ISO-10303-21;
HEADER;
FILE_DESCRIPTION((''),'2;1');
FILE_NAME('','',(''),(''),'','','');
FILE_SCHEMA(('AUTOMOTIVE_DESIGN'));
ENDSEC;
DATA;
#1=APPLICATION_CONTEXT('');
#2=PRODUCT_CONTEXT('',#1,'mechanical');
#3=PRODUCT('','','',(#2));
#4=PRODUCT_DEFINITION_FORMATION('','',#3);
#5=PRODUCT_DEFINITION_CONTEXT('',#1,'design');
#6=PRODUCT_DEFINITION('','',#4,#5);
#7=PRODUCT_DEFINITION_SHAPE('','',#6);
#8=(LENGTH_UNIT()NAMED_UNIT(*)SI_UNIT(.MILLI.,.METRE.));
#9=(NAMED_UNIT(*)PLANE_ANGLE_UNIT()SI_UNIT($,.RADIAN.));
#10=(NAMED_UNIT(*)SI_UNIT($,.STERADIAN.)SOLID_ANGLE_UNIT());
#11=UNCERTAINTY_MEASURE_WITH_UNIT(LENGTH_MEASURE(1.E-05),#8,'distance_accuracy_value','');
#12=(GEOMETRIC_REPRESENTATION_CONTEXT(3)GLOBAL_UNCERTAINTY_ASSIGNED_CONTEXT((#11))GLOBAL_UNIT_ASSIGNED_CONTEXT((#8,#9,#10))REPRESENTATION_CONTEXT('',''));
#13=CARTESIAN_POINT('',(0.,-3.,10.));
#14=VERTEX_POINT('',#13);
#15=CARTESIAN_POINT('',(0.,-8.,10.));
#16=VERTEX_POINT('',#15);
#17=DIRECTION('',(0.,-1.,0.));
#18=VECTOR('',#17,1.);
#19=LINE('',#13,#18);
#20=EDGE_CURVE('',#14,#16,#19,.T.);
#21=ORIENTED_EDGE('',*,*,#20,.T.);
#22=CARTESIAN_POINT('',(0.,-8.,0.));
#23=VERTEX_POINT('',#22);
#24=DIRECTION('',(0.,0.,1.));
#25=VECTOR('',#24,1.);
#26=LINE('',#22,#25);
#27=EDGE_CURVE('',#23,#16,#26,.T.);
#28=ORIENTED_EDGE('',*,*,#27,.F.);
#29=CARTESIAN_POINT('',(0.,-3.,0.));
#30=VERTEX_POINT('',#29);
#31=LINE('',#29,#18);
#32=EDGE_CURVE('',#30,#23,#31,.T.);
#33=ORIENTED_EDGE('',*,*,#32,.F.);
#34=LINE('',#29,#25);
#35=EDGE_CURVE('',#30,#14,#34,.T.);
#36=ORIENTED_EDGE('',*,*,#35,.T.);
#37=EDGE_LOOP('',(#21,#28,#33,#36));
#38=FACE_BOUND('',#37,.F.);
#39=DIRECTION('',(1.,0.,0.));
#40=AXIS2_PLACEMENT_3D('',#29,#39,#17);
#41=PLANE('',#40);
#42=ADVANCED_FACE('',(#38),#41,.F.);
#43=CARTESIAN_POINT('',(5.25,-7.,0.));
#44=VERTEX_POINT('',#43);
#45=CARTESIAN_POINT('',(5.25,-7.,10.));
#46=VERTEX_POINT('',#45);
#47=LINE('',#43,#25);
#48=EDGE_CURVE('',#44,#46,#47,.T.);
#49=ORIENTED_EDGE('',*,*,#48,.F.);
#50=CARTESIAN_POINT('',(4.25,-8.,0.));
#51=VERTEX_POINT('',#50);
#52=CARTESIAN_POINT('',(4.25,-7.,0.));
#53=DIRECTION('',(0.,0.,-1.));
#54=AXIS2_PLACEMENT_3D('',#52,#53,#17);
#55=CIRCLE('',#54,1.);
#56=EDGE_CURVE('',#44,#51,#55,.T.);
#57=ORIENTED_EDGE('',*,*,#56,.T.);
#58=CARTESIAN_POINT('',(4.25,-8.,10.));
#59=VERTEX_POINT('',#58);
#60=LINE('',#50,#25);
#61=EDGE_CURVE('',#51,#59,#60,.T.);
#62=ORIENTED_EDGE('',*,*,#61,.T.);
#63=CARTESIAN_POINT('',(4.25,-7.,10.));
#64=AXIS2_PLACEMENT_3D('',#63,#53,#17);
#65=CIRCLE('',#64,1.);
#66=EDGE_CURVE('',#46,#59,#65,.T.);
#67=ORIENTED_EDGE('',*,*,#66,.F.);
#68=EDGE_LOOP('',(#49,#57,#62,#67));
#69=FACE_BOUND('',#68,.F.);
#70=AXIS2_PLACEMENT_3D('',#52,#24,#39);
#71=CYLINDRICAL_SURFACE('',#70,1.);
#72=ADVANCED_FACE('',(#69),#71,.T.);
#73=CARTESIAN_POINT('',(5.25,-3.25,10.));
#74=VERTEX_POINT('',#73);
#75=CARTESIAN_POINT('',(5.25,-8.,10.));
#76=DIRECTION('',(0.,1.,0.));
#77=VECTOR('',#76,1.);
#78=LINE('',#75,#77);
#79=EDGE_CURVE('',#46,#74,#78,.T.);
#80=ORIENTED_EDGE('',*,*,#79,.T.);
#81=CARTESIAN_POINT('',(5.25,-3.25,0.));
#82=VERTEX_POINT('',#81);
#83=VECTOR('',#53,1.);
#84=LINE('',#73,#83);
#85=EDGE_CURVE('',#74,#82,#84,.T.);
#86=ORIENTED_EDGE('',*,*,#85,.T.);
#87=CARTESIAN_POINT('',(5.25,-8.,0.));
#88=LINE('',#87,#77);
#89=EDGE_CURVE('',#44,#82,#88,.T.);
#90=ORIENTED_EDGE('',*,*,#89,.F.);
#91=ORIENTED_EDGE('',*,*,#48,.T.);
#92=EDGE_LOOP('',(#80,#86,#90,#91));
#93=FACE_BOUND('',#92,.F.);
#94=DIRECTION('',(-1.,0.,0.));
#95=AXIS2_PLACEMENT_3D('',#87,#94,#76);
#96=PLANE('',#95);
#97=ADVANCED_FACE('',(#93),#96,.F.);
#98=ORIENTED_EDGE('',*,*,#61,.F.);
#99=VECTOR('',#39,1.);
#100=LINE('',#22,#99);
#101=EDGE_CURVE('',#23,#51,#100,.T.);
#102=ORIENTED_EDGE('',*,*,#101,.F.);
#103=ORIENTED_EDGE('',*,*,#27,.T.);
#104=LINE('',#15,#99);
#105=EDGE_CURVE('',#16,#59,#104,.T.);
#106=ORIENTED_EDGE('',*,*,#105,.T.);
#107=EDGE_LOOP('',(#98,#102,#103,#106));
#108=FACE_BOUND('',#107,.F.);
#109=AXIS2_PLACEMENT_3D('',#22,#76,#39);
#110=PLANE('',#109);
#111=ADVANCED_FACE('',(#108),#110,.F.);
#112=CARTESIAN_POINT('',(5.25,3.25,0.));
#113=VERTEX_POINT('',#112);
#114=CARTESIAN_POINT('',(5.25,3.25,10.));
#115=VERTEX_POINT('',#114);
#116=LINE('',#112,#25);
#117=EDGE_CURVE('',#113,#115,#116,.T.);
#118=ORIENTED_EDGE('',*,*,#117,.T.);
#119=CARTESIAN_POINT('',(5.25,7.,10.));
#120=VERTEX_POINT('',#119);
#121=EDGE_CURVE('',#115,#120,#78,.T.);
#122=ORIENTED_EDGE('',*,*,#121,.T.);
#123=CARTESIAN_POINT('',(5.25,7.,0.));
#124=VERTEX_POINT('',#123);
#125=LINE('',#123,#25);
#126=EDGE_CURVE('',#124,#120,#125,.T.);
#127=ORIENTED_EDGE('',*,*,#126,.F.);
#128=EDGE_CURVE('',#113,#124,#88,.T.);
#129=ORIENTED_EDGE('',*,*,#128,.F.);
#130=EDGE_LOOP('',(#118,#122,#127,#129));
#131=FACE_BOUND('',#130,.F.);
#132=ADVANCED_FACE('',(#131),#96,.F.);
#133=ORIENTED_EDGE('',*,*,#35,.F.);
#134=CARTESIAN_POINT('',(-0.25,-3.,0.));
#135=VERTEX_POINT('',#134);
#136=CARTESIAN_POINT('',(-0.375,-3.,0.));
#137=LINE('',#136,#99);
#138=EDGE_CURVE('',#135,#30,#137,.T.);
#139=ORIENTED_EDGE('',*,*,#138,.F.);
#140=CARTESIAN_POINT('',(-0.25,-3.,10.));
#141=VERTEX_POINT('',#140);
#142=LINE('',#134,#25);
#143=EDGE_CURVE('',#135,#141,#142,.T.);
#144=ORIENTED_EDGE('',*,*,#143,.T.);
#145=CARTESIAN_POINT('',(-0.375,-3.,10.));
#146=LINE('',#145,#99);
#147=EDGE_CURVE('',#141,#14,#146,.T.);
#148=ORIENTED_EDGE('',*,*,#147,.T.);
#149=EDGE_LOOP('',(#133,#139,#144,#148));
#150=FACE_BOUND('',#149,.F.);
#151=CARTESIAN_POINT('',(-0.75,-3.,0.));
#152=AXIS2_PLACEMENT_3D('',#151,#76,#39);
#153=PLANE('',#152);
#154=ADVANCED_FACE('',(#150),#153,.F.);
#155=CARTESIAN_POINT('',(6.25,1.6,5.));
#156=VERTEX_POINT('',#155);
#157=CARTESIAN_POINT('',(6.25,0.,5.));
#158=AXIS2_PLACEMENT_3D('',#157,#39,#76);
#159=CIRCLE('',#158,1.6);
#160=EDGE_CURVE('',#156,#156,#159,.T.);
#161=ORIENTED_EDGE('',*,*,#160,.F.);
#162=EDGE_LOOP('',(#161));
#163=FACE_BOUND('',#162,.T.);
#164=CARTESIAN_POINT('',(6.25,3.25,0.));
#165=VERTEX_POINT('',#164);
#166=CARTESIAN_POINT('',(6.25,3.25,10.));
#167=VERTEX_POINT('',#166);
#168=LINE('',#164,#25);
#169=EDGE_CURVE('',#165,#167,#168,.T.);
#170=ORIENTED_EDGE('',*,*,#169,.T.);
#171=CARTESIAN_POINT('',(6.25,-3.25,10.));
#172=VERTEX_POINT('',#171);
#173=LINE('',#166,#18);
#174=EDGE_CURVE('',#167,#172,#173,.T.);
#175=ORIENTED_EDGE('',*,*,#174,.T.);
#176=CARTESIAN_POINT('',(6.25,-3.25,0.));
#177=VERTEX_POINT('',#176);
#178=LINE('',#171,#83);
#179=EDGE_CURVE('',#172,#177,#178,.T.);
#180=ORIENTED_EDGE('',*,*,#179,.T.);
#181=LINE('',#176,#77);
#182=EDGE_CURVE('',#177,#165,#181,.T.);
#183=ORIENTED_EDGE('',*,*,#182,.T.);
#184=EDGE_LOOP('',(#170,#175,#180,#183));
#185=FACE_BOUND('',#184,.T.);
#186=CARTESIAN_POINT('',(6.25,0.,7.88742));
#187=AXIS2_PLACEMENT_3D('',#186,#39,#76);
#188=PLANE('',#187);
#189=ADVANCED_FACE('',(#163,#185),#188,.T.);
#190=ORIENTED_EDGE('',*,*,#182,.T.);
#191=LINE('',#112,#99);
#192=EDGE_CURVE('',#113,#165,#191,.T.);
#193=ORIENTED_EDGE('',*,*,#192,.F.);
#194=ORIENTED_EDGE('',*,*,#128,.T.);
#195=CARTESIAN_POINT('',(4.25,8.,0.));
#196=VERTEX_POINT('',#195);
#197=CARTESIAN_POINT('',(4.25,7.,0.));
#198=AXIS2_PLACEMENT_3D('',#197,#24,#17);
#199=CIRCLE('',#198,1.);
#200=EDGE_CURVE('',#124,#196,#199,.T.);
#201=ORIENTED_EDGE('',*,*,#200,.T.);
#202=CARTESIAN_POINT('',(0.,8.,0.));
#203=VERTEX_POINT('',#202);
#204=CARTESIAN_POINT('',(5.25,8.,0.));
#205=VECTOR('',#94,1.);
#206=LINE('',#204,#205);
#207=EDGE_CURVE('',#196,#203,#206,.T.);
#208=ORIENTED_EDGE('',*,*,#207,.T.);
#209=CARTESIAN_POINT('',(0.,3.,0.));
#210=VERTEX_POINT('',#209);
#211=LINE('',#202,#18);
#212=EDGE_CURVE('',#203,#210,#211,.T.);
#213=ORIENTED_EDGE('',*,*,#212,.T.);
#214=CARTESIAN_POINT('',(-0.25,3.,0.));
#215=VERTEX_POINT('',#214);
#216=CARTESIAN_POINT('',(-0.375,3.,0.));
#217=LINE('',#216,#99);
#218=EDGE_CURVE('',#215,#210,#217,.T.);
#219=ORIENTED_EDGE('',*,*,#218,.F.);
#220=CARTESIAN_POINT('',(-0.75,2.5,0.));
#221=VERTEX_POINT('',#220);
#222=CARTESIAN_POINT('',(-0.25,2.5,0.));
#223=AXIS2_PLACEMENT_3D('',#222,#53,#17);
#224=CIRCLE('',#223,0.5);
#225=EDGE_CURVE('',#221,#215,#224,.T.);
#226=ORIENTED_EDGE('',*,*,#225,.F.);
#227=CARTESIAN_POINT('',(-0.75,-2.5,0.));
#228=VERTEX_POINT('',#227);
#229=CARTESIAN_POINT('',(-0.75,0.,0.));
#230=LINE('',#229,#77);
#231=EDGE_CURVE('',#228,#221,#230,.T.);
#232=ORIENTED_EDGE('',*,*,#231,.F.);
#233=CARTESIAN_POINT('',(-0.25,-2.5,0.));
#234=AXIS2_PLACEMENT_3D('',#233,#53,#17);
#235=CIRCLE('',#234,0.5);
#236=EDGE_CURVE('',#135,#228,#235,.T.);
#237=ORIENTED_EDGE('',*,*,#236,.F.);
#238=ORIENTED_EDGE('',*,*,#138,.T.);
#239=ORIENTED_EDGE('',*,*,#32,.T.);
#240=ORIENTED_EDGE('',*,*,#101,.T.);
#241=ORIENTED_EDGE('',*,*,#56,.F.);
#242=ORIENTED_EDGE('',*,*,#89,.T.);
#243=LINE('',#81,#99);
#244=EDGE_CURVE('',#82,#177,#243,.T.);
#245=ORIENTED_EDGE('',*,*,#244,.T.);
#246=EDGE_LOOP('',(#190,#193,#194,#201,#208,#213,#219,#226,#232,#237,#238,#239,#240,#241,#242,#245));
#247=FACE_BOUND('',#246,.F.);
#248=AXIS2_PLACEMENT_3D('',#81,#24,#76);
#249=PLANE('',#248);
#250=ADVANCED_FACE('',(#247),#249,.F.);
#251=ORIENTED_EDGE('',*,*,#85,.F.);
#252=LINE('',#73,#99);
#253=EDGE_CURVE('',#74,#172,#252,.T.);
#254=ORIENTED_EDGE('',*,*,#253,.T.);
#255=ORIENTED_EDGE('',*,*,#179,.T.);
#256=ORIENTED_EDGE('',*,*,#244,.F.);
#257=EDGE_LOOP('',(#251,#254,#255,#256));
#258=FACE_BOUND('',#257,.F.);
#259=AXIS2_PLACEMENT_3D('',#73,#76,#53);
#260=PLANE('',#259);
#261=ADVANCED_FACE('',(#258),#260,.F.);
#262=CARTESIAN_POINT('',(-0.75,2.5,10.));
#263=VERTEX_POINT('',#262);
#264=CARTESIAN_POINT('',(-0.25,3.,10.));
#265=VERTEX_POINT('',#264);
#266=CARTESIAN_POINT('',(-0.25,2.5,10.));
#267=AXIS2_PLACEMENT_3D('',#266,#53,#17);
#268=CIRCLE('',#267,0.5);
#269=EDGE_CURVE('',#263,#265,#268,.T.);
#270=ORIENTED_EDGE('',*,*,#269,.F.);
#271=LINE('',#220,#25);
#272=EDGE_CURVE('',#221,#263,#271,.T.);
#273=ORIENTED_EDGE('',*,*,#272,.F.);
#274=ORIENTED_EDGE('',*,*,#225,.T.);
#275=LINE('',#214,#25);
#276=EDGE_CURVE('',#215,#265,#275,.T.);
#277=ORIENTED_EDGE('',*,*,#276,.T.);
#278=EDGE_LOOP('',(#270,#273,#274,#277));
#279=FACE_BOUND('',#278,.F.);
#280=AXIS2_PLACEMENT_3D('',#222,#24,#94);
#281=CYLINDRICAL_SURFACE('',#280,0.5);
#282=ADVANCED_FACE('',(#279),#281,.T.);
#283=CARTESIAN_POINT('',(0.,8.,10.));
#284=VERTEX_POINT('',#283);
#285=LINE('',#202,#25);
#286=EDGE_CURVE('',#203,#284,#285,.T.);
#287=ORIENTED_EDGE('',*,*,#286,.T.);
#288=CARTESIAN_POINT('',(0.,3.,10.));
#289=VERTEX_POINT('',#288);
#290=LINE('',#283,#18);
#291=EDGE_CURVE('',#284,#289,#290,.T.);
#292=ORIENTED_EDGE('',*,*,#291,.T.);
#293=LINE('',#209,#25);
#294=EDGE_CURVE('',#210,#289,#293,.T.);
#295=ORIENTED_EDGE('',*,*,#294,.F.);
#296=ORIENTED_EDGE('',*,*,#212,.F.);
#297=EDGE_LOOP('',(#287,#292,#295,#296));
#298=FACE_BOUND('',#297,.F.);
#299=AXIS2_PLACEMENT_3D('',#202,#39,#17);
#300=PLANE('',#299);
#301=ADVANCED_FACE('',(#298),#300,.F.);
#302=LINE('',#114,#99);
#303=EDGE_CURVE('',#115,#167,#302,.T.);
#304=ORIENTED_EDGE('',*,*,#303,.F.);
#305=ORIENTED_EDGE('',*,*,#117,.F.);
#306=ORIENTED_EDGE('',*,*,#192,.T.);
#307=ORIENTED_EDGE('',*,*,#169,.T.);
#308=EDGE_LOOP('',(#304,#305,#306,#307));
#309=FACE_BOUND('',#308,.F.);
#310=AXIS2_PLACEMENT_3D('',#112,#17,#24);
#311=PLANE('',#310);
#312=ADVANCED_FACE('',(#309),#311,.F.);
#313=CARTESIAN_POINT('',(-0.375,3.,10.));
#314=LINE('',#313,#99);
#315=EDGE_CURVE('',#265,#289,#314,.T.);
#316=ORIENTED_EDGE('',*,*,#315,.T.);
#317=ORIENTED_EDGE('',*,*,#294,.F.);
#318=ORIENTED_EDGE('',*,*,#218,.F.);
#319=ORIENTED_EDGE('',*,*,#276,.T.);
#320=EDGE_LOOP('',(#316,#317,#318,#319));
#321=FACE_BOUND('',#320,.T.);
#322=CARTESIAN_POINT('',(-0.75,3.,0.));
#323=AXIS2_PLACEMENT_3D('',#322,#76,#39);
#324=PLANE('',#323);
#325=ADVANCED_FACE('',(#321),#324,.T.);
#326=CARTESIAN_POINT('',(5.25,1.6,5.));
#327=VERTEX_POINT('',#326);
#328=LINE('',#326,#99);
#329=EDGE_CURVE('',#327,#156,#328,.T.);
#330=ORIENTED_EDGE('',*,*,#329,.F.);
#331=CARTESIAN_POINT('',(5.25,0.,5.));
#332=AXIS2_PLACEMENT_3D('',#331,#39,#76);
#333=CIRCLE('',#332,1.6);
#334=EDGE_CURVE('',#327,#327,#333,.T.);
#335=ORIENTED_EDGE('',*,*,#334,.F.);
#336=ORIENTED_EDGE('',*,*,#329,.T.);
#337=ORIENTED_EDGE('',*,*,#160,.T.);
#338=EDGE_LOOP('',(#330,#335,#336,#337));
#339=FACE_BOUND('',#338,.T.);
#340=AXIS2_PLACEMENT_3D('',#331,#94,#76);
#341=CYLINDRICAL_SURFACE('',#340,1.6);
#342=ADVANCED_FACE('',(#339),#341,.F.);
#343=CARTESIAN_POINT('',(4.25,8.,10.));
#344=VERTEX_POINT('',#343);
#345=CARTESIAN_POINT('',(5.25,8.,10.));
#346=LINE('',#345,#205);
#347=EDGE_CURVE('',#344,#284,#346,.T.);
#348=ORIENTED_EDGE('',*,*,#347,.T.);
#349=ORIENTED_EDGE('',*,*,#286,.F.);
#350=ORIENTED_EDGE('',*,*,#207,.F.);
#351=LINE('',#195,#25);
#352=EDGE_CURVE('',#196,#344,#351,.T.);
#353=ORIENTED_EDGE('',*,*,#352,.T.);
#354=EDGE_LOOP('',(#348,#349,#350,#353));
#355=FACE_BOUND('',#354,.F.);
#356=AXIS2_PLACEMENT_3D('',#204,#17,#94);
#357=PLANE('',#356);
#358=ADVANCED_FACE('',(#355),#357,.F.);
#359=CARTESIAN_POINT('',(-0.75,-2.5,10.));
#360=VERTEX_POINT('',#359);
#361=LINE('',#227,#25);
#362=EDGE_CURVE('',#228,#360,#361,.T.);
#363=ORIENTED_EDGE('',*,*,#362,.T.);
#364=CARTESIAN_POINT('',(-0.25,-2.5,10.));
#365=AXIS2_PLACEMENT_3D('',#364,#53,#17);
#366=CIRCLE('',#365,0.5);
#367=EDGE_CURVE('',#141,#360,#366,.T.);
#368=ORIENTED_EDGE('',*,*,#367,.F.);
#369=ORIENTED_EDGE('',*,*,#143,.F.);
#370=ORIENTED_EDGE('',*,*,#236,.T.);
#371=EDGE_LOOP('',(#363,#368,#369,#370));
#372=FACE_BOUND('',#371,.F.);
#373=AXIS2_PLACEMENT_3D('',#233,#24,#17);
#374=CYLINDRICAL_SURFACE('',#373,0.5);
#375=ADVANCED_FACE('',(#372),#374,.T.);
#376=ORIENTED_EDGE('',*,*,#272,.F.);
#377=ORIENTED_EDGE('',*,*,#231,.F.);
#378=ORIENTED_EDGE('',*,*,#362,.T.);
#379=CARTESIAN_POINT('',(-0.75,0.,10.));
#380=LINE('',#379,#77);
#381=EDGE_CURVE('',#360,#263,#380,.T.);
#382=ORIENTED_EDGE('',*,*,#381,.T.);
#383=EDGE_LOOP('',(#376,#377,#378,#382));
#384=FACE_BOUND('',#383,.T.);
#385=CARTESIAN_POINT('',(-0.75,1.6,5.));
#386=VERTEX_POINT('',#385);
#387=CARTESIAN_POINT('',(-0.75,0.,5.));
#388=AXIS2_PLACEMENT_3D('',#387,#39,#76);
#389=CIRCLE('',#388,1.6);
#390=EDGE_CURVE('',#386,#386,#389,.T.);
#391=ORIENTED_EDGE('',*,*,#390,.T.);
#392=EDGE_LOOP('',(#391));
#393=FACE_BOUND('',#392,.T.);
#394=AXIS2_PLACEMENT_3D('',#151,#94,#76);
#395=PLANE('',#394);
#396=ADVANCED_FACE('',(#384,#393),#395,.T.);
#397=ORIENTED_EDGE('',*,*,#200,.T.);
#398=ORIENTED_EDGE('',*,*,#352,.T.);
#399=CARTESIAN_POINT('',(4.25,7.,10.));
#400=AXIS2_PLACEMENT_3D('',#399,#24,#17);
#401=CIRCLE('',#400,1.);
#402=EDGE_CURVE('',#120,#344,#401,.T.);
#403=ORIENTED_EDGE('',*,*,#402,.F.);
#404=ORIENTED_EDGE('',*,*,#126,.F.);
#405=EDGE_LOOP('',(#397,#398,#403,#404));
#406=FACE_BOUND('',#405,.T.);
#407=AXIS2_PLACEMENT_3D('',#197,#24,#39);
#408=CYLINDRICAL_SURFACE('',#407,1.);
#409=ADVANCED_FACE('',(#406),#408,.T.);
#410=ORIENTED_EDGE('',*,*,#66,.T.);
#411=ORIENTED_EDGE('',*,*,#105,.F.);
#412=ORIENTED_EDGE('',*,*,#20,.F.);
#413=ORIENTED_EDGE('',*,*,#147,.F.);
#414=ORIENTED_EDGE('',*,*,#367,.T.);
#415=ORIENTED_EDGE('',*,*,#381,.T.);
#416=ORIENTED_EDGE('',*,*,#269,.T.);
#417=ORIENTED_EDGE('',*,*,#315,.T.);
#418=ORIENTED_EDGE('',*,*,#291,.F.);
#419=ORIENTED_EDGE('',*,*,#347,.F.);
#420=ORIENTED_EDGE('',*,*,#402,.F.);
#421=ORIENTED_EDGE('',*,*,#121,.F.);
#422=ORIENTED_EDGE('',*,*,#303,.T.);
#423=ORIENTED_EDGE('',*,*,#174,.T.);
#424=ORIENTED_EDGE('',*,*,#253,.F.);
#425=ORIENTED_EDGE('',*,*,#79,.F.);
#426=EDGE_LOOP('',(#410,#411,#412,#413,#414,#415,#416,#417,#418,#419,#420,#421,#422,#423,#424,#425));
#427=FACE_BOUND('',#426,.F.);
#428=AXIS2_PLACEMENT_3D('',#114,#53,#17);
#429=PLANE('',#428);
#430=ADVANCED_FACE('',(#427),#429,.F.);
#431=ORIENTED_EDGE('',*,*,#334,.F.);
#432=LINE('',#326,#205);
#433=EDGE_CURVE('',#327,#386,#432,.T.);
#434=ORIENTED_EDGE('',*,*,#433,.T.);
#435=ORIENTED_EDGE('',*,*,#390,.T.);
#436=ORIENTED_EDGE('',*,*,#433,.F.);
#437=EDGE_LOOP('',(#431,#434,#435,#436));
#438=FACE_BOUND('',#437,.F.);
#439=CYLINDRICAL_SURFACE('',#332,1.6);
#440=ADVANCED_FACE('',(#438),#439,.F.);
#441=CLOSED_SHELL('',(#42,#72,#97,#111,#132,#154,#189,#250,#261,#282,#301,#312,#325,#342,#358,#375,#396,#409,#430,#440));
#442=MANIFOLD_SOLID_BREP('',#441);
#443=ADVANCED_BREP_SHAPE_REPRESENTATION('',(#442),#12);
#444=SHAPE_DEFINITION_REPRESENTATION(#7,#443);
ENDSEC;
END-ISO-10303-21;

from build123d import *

# Parameters (mm, degrees)
F0_W     = 0.75
F0_H     = 6
F1_DEPTH = 10
F2_R     = 1.6
F3_DEPTH = 25
F4_DEPTH = 1
F5_R     = 1
F6_R     = 0.5


with BuildPart() as f1:
    # F0 (on Top) → F1 (new body)
    with BuildSketch(Plane.XY):
        with Locations((-0.375, 0)):
            Rectangle(F0_W, F0_H)
        Polygon((0, 8), (0, 3), (0, -3), (0, -8), (5.25, -8), (5.25, 8), align=None)
    extrude(amount=F1_DEPTH)

    # F2 (on face) → F3 (cut)
    with BuildSketch(Plane.YZ.offset(5.25)):
        with Locations((0, 5)):
            Circle(F2_R)
    extrude(amount=-F3_DEPTH, mode=Mode.SUBTRACT)

    # F2 (on face) → F4 (join)
    with BuildSketch(Plane.YZ.offset(5.25)):
        with BuildLine():
            ThreePointArc((-3.25, 5), (0, 8.25), (3.25, 5))
            Line((3.25, 5), (3.25, 10))
            Line((3.25, 10), (-3.25, 10))
            Line((-3.25, 10), (-3.25, 5))
        make_face()
        with BuildLine():
            ThreePointArc((-3.25, 5), (0, 1.75), (3.25, 5))
            ThreePointArc((3.25, 5), (0, 8.25), (-3.25, 5))
        make_face()
        with Locations((0, 5)):
            Circle(F2_R, mode=Mode.SUBTRACT)
        with BuildLine():
            Line((3.25, 0), (3.25, 5))
            ThreePointArc((3.25, 5), (0, 1.75), (-3.25, 5))
            Line((-3.25, 5), (-3.25, 0))
            Line((-3.25, 0), (3.25, 0))
        make_face()
    extrude(amount=F4_DEPTH)

    # F5
    f5_edges = [f1.edges().sort_by_distance(p)[0] for p in [
        (5.25, -8, 5),
        (5.25, 8, 5),
    ]]
    fillet(f5_edges, radius=F5_R)

    # F6
    f6_edges = [f1.edges().sort_by_distance(p)[0] for p in [
        (-0.75, -3, 5),
        (-0.75, 3, 5),
    ]]
    fillet(f6_edges, radius=F6_R)


solid = f1.part
